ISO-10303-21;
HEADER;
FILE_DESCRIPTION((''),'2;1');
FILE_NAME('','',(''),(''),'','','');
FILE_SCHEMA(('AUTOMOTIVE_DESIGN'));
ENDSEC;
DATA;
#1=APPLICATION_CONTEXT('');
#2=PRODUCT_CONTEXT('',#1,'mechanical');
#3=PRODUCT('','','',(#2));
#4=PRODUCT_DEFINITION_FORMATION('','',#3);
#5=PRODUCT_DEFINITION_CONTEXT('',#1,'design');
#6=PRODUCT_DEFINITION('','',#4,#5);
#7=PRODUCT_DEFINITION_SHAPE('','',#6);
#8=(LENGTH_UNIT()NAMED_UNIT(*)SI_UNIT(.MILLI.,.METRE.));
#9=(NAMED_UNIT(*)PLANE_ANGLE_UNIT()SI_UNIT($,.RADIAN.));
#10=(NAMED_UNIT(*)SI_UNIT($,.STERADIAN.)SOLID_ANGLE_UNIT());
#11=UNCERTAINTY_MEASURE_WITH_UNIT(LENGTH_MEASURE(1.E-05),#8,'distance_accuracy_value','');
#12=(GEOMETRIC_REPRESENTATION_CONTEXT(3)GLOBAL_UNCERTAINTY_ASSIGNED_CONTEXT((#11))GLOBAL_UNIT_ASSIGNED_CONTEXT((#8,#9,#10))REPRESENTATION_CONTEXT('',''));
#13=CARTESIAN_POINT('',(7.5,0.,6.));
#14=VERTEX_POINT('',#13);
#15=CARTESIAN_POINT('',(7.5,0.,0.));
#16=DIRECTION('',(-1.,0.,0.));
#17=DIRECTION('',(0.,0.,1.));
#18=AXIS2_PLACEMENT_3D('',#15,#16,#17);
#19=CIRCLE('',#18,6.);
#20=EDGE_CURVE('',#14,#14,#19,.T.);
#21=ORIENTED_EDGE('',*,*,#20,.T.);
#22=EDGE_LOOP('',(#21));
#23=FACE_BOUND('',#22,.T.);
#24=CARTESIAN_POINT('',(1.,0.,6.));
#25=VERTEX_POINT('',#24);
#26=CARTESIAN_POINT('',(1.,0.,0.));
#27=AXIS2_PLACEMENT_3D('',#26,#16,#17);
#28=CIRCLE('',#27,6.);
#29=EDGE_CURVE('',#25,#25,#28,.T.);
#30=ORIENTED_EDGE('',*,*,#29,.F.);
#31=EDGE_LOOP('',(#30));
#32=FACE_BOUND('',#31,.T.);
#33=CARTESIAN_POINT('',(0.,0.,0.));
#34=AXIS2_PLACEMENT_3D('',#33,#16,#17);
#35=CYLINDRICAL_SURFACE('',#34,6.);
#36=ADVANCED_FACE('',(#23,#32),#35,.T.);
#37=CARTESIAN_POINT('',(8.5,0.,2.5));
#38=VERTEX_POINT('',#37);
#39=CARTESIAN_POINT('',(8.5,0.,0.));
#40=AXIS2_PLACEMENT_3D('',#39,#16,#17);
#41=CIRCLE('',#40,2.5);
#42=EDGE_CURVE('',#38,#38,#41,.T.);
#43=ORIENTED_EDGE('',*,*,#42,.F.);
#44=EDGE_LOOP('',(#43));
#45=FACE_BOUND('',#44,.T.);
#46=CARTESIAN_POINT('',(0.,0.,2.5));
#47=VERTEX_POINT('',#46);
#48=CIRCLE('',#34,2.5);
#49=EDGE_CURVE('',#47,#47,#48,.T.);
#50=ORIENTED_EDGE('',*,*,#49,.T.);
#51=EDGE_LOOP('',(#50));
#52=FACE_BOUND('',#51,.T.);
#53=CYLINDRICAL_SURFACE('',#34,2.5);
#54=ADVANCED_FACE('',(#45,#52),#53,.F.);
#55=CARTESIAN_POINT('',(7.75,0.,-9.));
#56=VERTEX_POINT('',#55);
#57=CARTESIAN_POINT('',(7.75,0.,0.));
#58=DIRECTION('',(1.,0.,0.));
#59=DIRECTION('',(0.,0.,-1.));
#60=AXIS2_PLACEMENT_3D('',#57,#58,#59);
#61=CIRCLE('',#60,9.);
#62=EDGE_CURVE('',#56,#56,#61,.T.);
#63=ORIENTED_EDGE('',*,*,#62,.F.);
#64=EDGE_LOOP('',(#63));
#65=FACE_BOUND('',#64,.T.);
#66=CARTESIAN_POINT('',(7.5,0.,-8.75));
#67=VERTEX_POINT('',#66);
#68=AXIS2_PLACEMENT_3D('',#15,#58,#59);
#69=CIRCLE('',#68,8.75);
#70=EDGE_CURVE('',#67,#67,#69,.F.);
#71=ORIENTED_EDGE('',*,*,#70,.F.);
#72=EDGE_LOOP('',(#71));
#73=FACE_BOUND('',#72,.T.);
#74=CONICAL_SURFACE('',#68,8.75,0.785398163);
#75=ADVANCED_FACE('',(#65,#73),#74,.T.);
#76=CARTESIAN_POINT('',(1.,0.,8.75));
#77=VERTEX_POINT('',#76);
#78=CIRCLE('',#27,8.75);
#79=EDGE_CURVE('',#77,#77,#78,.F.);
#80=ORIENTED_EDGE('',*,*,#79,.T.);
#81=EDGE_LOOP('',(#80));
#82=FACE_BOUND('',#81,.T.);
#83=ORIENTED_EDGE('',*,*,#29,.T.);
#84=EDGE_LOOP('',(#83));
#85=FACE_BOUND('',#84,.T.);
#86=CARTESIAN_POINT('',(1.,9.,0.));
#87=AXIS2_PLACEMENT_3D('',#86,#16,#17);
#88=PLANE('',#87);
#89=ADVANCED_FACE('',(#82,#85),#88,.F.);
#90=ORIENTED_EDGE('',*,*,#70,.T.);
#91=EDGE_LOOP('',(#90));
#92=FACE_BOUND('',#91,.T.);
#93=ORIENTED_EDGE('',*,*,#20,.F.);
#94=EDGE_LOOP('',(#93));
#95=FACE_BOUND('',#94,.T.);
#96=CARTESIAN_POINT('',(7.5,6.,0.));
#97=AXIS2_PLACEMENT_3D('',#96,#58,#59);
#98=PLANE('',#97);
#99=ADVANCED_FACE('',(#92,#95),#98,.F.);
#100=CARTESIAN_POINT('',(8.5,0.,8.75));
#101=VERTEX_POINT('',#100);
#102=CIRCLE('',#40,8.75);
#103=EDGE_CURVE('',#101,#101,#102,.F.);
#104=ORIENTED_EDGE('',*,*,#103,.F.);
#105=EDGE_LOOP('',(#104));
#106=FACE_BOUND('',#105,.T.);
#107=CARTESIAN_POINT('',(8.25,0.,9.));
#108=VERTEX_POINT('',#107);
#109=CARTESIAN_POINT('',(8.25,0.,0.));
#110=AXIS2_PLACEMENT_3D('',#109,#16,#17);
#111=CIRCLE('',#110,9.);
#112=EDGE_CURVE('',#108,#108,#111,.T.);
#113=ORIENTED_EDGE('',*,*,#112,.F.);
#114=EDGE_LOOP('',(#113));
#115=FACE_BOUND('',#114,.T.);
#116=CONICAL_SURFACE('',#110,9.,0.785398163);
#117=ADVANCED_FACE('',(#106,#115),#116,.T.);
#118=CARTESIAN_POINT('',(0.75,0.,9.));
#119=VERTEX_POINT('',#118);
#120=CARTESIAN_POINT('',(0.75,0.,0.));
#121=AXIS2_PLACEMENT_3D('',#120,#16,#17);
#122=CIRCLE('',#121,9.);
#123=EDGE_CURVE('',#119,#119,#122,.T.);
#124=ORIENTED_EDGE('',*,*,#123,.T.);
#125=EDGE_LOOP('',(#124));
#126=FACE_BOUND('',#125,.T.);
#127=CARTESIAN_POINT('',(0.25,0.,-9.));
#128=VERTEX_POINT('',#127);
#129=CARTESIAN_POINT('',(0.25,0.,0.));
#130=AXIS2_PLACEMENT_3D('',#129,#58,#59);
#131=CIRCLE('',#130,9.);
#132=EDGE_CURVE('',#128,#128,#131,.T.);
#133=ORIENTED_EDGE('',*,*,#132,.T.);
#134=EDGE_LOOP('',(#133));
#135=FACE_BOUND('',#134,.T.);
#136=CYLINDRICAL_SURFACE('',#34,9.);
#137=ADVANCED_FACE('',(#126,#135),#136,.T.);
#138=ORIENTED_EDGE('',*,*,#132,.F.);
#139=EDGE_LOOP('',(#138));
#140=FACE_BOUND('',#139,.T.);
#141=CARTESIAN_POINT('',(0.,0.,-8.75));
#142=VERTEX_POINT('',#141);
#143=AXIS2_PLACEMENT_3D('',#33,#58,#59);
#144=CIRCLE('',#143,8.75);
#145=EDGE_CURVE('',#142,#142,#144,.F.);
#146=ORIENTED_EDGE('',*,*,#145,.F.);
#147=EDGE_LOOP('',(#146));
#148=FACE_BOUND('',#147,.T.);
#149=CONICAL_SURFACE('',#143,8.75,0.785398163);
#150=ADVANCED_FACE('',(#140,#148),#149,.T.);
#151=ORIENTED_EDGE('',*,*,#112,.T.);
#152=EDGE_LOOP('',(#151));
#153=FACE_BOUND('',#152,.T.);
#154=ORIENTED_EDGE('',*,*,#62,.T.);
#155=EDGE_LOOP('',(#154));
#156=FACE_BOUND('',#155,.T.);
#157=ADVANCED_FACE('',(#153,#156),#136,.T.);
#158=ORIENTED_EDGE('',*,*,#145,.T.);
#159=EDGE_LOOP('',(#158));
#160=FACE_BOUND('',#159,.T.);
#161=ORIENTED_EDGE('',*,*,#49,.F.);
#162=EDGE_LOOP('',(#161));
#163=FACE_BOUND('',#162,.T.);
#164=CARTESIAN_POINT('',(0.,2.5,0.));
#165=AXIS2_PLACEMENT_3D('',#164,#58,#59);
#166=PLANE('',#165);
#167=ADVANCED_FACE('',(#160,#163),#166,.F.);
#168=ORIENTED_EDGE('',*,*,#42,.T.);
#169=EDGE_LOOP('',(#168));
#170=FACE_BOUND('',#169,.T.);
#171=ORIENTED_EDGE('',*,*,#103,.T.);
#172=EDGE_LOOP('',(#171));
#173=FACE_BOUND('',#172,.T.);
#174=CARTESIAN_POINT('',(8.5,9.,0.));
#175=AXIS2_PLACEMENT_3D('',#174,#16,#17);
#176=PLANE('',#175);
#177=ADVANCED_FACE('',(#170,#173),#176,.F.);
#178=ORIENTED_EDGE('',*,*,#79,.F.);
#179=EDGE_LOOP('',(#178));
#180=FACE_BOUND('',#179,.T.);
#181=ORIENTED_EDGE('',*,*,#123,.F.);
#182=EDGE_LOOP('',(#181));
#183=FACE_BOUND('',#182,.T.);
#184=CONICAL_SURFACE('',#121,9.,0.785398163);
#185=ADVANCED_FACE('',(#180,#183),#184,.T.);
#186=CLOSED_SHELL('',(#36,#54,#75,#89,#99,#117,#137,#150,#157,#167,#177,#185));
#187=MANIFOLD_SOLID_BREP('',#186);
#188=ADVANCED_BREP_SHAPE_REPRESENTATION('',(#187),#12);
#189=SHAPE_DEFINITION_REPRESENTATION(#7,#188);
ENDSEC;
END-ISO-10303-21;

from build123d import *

# Parameters (mm, degrees)
SMUSSO1_SIZE = 0.25


with BuildPart() as part:
    # Schizzo1 → Rivoluzione1 (revolve)
    with BuildSketch(Plane.XY):
        Polygon((0, 2.5), (0, 9), (1, 9), (1, 6), (7.5, 6), (7.5, 9), (8.5, 9), (8.5, 2.5), align=None)
    revolve(axis=Axis((0, 0, 0), (1, 0, 0)))

    # Smusso1
    smusso1_edges = [part.edges().sort_by_distance(p)[0] for p in [
        (8.5, -9, 0),
        (7.5, -9, 0),
        (1, -9, 0),
        (0, -9, 0),
    ]]
    chamfer(smusso1_edges, length=SMUSSO1_SIZE)


solid = part.part
